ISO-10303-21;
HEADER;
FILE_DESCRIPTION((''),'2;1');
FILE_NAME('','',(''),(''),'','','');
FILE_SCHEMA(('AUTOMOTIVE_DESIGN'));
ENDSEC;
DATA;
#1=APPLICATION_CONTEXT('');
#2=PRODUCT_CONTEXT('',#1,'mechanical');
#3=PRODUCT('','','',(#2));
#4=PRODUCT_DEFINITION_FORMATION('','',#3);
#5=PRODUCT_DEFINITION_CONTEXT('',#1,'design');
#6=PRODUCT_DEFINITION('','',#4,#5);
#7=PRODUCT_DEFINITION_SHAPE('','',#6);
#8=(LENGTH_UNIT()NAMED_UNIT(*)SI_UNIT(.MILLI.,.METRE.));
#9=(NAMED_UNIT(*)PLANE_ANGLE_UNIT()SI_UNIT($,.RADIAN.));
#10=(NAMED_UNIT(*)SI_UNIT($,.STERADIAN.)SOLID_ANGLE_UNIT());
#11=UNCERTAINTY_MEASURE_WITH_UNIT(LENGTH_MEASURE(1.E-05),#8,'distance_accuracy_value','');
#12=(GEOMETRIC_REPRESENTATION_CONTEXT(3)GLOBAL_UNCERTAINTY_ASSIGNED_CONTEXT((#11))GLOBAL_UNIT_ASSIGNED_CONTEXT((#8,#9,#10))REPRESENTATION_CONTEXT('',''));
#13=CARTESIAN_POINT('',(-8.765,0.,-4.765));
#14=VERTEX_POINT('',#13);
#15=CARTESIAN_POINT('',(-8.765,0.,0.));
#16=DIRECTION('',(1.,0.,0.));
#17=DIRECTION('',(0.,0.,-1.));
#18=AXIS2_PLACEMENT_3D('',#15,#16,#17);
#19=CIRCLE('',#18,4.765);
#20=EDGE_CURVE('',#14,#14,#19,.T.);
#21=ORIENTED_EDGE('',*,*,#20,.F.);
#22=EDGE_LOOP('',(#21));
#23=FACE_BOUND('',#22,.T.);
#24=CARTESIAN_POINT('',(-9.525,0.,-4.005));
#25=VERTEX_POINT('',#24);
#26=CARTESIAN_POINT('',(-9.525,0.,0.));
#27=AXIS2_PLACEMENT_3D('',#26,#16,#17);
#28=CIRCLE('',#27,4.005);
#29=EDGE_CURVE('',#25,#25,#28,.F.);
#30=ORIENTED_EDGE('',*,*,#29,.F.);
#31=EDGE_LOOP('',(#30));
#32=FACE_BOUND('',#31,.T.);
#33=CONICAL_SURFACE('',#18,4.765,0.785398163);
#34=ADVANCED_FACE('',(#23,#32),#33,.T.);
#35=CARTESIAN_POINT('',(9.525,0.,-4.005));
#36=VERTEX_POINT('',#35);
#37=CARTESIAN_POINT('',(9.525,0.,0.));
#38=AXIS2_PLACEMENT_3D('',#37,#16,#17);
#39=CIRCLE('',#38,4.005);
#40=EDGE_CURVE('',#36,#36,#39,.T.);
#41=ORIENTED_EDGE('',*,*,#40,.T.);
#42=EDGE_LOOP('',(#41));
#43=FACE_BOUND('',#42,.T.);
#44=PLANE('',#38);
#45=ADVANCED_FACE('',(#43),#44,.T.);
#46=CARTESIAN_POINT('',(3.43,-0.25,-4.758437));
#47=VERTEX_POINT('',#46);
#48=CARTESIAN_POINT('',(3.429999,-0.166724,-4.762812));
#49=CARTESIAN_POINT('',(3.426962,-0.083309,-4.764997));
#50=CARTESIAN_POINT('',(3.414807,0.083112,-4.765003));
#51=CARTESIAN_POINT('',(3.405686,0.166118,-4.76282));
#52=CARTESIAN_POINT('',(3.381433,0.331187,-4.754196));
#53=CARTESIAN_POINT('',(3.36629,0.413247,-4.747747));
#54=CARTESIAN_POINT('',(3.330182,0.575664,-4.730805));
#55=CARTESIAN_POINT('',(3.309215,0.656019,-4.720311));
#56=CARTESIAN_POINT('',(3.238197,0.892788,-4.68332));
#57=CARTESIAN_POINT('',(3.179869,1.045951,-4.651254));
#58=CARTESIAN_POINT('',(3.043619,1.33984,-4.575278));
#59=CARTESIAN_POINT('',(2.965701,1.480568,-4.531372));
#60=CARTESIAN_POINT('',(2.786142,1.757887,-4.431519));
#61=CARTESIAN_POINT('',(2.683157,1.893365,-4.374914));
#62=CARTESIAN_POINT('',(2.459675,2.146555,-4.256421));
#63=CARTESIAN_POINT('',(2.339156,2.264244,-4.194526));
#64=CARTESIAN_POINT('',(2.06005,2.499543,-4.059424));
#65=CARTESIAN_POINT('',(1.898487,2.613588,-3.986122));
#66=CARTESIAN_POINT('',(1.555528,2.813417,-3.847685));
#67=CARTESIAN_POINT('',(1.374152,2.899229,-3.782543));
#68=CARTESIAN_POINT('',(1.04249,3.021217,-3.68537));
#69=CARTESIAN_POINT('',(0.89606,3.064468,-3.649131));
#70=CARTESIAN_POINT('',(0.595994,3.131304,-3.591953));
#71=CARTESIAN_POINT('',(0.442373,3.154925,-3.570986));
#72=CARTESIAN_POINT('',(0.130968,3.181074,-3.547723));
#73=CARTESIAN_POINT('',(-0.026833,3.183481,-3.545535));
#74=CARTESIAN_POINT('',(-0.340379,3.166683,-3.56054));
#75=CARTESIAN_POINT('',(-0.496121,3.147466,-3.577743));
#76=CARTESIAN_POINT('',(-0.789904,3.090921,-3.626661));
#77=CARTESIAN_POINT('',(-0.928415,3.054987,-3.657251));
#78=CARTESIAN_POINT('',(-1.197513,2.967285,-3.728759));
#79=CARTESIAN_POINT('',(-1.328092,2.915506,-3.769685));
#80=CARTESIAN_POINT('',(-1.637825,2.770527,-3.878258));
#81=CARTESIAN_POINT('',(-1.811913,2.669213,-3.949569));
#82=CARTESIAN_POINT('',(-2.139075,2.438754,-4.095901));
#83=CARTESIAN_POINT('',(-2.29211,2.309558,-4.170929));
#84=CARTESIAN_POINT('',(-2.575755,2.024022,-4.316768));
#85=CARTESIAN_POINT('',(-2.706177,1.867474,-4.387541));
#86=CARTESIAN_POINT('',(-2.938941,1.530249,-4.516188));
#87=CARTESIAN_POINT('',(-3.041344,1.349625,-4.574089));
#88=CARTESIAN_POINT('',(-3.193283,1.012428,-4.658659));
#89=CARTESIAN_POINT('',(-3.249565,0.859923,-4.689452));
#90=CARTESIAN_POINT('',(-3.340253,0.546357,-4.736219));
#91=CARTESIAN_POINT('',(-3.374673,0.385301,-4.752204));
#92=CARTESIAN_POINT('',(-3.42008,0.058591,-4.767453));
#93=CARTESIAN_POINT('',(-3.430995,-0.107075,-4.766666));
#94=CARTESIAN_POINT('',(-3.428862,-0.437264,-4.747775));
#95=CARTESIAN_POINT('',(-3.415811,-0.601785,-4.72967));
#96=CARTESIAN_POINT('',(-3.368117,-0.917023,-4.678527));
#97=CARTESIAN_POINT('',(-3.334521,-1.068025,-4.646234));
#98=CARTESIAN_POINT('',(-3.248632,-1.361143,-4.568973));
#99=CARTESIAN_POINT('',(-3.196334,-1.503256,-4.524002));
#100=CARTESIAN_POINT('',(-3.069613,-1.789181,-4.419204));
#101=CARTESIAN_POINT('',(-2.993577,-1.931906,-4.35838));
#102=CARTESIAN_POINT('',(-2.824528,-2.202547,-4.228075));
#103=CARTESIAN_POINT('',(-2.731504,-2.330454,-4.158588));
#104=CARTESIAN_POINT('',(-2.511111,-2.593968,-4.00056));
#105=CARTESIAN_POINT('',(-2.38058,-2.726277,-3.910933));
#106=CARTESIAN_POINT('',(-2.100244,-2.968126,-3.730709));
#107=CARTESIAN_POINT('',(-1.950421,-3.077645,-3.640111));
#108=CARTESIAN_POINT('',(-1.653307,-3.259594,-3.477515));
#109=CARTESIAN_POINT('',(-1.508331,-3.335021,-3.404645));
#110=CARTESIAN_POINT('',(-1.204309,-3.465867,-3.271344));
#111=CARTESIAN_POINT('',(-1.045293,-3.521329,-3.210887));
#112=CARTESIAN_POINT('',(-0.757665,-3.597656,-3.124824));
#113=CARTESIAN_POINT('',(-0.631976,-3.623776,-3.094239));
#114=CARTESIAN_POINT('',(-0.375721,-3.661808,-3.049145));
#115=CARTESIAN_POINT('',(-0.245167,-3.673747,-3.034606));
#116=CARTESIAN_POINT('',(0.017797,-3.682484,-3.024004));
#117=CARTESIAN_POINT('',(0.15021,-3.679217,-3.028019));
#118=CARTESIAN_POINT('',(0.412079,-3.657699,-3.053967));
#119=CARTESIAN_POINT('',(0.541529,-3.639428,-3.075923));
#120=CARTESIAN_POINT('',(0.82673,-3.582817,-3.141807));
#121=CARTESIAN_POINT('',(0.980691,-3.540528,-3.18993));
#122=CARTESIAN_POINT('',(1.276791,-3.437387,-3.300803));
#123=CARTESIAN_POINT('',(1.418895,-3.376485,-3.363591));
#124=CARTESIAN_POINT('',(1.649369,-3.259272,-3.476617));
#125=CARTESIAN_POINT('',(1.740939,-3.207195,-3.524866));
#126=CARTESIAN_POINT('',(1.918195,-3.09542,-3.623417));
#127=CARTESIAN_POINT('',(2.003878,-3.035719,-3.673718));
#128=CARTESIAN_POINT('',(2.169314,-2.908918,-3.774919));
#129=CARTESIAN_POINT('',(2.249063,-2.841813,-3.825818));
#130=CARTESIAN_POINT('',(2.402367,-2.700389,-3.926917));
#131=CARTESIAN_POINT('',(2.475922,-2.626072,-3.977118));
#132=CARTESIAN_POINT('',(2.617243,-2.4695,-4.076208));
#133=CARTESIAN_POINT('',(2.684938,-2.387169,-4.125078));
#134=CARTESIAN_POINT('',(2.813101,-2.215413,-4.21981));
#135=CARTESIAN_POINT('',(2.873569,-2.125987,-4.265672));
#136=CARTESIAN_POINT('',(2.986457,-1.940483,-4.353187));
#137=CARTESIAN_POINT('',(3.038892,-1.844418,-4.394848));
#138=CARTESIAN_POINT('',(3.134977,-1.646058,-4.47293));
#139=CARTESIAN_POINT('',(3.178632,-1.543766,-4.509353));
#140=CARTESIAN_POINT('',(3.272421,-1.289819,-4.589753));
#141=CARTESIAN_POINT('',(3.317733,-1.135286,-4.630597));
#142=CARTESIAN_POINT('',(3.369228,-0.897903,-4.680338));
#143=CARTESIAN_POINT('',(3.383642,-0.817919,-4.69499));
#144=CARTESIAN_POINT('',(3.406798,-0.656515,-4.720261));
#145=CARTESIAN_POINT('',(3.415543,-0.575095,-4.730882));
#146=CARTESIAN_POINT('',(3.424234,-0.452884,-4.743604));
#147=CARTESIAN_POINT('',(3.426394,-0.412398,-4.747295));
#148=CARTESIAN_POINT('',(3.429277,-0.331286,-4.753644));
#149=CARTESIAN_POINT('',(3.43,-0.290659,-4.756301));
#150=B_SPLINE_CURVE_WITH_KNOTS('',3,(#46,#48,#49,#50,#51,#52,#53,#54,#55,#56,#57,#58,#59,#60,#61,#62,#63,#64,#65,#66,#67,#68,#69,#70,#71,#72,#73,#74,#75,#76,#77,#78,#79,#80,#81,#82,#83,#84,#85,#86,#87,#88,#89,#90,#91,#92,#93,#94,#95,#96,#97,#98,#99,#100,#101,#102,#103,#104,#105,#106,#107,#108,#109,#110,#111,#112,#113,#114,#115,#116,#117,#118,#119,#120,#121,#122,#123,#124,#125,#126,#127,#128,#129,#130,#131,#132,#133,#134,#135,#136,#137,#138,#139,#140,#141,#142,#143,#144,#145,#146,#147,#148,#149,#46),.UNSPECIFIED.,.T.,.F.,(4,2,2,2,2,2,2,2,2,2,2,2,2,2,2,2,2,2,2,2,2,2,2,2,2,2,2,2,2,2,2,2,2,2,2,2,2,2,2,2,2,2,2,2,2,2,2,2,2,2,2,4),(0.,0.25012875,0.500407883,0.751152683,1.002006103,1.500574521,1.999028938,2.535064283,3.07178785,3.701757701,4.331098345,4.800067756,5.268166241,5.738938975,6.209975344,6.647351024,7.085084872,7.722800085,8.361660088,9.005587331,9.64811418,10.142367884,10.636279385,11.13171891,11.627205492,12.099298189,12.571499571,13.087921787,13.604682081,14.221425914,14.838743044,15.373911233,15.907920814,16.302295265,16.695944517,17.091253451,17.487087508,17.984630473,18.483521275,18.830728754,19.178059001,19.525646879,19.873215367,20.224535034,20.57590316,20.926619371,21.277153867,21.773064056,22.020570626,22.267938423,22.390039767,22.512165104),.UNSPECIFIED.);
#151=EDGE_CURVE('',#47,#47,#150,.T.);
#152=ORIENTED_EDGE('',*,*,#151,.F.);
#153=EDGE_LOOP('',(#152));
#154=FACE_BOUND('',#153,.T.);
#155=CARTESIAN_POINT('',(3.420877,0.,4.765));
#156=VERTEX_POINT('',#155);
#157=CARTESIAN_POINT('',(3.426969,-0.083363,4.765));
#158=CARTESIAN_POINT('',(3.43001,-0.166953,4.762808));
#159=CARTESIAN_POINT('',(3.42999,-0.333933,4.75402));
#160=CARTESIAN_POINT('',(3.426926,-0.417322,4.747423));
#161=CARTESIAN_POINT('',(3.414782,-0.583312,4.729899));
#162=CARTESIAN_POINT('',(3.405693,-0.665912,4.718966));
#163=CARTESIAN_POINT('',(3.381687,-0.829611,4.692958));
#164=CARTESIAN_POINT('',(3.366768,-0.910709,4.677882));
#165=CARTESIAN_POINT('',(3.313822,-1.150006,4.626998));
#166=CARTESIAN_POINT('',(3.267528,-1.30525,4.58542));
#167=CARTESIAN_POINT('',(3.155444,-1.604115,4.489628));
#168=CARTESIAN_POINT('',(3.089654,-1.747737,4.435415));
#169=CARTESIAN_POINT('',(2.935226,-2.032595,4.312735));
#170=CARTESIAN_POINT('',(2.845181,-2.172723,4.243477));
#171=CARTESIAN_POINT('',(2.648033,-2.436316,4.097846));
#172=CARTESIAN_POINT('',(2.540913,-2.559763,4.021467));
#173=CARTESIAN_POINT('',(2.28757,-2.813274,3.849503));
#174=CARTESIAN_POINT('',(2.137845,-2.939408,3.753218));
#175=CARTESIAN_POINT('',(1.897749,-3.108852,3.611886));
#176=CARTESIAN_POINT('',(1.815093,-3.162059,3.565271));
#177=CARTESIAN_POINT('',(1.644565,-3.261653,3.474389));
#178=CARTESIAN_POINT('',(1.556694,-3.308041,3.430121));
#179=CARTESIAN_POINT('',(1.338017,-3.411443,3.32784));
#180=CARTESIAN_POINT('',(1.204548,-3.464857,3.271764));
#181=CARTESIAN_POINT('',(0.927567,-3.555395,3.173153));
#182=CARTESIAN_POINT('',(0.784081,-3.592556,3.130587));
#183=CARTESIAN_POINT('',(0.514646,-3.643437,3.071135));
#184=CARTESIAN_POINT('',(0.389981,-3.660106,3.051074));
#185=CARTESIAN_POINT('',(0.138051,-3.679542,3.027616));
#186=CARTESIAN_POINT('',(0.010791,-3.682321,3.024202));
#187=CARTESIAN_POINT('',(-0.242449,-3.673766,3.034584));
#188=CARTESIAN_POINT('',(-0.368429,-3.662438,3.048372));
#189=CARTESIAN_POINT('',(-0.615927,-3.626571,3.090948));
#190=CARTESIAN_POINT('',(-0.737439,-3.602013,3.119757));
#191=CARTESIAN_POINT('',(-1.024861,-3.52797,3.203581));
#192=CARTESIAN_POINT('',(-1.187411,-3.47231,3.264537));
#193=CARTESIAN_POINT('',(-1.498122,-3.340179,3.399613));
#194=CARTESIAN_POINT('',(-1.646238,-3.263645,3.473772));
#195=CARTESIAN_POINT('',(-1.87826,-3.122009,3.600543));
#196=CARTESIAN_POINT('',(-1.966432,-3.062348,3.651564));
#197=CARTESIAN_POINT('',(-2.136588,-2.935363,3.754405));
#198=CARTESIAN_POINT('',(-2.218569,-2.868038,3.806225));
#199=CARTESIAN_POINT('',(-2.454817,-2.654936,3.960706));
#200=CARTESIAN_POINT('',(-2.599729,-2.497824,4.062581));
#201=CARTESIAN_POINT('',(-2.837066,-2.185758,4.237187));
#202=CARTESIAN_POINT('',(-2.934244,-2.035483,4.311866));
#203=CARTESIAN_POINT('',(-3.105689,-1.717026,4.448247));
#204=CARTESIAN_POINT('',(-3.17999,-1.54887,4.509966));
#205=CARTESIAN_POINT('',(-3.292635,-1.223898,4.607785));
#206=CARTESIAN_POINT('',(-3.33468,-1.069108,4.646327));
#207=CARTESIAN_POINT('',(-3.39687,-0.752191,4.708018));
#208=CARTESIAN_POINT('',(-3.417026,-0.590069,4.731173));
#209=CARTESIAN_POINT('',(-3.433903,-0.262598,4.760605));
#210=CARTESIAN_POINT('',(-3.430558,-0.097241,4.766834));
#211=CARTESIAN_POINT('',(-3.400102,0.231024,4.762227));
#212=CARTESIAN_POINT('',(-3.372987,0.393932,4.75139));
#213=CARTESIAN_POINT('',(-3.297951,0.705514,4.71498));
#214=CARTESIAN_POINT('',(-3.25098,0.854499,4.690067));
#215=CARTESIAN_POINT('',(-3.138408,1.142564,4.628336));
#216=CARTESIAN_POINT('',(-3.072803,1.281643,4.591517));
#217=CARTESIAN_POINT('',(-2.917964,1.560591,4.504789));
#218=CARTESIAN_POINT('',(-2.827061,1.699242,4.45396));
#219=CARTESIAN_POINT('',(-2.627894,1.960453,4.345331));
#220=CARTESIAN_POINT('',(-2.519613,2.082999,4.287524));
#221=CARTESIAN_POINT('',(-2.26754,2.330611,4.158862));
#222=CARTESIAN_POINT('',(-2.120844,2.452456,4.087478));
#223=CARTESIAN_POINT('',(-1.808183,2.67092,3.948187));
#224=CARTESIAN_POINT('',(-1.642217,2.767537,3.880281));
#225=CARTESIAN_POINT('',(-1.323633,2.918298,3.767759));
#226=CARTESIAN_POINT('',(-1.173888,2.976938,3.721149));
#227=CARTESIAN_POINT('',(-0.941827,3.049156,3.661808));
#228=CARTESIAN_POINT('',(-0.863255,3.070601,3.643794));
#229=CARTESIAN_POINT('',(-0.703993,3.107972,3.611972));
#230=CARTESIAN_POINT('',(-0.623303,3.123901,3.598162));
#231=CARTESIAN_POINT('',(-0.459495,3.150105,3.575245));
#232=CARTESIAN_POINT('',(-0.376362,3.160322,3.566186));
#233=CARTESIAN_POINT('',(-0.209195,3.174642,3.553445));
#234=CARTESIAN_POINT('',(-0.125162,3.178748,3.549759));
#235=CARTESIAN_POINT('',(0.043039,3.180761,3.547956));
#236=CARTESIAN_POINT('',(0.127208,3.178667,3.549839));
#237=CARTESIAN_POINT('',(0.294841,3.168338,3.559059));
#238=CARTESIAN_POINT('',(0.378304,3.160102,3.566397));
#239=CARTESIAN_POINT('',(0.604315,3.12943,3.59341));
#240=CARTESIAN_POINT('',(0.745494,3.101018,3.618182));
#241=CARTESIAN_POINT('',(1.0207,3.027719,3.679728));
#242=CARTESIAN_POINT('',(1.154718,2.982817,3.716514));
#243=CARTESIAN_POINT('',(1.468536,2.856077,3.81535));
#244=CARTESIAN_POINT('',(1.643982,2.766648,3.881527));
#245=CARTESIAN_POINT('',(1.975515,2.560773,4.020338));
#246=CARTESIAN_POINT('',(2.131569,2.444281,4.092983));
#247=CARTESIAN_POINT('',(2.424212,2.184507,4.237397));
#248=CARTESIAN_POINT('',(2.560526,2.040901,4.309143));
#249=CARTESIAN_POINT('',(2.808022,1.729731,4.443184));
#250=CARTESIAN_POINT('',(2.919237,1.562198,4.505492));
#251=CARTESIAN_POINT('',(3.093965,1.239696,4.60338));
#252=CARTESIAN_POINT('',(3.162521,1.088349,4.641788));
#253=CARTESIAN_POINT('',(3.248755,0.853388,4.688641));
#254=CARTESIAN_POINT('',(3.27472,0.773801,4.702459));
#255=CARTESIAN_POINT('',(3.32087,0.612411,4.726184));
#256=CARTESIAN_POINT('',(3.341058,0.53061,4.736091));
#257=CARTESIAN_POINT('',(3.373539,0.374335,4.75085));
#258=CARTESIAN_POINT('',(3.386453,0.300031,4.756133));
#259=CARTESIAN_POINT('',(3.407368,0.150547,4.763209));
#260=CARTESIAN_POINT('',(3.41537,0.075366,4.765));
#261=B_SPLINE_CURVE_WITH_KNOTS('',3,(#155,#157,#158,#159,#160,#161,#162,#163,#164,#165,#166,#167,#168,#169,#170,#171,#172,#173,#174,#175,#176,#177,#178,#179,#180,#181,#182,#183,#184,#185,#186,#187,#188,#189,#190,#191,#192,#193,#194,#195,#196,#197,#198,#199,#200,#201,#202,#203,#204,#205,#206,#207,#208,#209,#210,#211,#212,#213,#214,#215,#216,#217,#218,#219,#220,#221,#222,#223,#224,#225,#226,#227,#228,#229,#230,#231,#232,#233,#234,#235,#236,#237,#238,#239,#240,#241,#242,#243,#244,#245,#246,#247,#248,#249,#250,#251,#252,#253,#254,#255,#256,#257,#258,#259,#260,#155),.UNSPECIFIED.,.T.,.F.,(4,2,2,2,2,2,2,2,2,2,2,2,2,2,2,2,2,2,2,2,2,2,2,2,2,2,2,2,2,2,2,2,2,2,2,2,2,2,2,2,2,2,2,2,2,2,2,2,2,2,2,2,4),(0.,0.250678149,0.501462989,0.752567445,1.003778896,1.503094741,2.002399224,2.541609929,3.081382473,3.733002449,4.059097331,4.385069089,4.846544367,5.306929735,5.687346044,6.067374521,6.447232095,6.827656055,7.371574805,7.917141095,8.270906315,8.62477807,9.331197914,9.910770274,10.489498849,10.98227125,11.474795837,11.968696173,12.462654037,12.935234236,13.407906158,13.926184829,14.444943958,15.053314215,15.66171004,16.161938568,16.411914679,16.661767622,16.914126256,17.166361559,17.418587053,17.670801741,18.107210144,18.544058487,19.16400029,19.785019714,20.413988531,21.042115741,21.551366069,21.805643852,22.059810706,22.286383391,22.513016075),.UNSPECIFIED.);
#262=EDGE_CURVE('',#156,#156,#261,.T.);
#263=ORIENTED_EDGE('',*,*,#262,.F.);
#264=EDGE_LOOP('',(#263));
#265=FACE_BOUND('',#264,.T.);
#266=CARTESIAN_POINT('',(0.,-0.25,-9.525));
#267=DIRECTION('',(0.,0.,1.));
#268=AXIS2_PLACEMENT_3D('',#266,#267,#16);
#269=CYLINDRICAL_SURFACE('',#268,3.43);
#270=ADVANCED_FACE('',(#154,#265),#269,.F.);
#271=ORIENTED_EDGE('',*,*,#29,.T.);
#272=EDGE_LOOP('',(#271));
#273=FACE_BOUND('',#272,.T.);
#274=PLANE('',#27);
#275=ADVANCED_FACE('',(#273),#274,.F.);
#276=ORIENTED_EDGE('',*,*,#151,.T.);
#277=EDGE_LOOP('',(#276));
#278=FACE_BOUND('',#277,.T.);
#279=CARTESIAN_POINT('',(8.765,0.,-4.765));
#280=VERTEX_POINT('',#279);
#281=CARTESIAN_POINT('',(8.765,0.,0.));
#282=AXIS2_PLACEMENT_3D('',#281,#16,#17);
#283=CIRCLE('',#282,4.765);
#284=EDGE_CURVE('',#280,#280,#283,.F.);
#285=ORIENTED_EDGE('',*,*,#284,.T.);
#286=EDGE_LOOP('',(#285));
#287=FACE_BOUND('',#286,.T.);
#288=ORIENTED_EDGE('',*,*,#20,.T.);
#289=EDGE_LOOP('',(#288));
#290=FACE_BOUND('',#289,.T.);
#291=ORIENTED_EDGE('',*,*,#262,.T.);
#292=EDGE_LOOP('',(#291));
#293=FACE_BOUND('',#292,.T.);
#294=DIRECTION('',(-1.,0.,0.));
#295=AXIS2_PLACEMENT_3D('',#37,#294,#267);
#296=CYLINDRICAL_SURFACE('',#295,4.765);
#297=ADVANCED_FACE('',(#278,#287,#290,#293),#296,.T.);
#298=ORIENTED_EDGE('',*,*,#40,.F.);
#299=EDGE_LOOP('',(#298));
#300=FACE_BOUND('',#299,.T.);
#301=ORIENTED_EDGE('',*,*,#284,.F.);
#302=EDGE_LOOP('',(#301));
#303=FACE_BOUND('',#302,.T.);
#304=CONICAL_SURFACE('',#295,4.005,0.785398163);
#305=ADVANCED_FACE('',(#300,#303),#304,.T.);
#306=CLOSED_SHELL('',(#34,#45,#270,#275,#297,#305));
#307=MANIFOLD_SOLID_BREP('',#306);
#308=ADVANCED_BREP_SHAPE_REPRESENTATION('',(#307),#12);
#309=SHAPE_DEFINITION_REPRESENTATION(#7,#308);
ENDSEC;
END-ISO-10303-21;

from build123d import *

# Parameters (mm, degrees)
ESQUISSE1_R             = 4.765
BOSS_EXTRU_1_DEPTH      = 9.525
CHANFREIN1_SIZE         = 0.76
ESQUISSE2_R             = 3.43
ENL_V_MAT_EXTRU_1_DEPTH = 9.525


with BuildPart() as part:
    # Esquisse1 → Boss.-Extru.1 (new body, symmetric)
    with BuildSketch(Plane(origin=(0, 0, 0), x_dir=(0, 0, -1), z_dir=(1, 0, 0))):
        Circle(ESQUISSE1_R)
    extrude(amount=BOSS_EXTRU_1_DEPTH, both=True)

    # Chanfrein1
    chanfrein1_edges = [part.edges().sort_by_distance(p)[0] for p in [
        (-9.525, 0, 4.765),
        (9.525, 0, 4.765),
    ]]
    chamfer(chanfrein1_edges, length=CHANFREIN1_SIZE)

    # Esquisse2 → Enlèv. mat.-Extru.1 (cut, symmetric)
    with BuildSketch(Plane.XY):
        with Locations((0, -0.25)):
            Circle(ESQUISSE2_R)
    extrude(amount=ENL_V_MAT_EXTRU_1_DEPTH, both=True, mode=Mode.SUBTRACT)


solid = part.part
